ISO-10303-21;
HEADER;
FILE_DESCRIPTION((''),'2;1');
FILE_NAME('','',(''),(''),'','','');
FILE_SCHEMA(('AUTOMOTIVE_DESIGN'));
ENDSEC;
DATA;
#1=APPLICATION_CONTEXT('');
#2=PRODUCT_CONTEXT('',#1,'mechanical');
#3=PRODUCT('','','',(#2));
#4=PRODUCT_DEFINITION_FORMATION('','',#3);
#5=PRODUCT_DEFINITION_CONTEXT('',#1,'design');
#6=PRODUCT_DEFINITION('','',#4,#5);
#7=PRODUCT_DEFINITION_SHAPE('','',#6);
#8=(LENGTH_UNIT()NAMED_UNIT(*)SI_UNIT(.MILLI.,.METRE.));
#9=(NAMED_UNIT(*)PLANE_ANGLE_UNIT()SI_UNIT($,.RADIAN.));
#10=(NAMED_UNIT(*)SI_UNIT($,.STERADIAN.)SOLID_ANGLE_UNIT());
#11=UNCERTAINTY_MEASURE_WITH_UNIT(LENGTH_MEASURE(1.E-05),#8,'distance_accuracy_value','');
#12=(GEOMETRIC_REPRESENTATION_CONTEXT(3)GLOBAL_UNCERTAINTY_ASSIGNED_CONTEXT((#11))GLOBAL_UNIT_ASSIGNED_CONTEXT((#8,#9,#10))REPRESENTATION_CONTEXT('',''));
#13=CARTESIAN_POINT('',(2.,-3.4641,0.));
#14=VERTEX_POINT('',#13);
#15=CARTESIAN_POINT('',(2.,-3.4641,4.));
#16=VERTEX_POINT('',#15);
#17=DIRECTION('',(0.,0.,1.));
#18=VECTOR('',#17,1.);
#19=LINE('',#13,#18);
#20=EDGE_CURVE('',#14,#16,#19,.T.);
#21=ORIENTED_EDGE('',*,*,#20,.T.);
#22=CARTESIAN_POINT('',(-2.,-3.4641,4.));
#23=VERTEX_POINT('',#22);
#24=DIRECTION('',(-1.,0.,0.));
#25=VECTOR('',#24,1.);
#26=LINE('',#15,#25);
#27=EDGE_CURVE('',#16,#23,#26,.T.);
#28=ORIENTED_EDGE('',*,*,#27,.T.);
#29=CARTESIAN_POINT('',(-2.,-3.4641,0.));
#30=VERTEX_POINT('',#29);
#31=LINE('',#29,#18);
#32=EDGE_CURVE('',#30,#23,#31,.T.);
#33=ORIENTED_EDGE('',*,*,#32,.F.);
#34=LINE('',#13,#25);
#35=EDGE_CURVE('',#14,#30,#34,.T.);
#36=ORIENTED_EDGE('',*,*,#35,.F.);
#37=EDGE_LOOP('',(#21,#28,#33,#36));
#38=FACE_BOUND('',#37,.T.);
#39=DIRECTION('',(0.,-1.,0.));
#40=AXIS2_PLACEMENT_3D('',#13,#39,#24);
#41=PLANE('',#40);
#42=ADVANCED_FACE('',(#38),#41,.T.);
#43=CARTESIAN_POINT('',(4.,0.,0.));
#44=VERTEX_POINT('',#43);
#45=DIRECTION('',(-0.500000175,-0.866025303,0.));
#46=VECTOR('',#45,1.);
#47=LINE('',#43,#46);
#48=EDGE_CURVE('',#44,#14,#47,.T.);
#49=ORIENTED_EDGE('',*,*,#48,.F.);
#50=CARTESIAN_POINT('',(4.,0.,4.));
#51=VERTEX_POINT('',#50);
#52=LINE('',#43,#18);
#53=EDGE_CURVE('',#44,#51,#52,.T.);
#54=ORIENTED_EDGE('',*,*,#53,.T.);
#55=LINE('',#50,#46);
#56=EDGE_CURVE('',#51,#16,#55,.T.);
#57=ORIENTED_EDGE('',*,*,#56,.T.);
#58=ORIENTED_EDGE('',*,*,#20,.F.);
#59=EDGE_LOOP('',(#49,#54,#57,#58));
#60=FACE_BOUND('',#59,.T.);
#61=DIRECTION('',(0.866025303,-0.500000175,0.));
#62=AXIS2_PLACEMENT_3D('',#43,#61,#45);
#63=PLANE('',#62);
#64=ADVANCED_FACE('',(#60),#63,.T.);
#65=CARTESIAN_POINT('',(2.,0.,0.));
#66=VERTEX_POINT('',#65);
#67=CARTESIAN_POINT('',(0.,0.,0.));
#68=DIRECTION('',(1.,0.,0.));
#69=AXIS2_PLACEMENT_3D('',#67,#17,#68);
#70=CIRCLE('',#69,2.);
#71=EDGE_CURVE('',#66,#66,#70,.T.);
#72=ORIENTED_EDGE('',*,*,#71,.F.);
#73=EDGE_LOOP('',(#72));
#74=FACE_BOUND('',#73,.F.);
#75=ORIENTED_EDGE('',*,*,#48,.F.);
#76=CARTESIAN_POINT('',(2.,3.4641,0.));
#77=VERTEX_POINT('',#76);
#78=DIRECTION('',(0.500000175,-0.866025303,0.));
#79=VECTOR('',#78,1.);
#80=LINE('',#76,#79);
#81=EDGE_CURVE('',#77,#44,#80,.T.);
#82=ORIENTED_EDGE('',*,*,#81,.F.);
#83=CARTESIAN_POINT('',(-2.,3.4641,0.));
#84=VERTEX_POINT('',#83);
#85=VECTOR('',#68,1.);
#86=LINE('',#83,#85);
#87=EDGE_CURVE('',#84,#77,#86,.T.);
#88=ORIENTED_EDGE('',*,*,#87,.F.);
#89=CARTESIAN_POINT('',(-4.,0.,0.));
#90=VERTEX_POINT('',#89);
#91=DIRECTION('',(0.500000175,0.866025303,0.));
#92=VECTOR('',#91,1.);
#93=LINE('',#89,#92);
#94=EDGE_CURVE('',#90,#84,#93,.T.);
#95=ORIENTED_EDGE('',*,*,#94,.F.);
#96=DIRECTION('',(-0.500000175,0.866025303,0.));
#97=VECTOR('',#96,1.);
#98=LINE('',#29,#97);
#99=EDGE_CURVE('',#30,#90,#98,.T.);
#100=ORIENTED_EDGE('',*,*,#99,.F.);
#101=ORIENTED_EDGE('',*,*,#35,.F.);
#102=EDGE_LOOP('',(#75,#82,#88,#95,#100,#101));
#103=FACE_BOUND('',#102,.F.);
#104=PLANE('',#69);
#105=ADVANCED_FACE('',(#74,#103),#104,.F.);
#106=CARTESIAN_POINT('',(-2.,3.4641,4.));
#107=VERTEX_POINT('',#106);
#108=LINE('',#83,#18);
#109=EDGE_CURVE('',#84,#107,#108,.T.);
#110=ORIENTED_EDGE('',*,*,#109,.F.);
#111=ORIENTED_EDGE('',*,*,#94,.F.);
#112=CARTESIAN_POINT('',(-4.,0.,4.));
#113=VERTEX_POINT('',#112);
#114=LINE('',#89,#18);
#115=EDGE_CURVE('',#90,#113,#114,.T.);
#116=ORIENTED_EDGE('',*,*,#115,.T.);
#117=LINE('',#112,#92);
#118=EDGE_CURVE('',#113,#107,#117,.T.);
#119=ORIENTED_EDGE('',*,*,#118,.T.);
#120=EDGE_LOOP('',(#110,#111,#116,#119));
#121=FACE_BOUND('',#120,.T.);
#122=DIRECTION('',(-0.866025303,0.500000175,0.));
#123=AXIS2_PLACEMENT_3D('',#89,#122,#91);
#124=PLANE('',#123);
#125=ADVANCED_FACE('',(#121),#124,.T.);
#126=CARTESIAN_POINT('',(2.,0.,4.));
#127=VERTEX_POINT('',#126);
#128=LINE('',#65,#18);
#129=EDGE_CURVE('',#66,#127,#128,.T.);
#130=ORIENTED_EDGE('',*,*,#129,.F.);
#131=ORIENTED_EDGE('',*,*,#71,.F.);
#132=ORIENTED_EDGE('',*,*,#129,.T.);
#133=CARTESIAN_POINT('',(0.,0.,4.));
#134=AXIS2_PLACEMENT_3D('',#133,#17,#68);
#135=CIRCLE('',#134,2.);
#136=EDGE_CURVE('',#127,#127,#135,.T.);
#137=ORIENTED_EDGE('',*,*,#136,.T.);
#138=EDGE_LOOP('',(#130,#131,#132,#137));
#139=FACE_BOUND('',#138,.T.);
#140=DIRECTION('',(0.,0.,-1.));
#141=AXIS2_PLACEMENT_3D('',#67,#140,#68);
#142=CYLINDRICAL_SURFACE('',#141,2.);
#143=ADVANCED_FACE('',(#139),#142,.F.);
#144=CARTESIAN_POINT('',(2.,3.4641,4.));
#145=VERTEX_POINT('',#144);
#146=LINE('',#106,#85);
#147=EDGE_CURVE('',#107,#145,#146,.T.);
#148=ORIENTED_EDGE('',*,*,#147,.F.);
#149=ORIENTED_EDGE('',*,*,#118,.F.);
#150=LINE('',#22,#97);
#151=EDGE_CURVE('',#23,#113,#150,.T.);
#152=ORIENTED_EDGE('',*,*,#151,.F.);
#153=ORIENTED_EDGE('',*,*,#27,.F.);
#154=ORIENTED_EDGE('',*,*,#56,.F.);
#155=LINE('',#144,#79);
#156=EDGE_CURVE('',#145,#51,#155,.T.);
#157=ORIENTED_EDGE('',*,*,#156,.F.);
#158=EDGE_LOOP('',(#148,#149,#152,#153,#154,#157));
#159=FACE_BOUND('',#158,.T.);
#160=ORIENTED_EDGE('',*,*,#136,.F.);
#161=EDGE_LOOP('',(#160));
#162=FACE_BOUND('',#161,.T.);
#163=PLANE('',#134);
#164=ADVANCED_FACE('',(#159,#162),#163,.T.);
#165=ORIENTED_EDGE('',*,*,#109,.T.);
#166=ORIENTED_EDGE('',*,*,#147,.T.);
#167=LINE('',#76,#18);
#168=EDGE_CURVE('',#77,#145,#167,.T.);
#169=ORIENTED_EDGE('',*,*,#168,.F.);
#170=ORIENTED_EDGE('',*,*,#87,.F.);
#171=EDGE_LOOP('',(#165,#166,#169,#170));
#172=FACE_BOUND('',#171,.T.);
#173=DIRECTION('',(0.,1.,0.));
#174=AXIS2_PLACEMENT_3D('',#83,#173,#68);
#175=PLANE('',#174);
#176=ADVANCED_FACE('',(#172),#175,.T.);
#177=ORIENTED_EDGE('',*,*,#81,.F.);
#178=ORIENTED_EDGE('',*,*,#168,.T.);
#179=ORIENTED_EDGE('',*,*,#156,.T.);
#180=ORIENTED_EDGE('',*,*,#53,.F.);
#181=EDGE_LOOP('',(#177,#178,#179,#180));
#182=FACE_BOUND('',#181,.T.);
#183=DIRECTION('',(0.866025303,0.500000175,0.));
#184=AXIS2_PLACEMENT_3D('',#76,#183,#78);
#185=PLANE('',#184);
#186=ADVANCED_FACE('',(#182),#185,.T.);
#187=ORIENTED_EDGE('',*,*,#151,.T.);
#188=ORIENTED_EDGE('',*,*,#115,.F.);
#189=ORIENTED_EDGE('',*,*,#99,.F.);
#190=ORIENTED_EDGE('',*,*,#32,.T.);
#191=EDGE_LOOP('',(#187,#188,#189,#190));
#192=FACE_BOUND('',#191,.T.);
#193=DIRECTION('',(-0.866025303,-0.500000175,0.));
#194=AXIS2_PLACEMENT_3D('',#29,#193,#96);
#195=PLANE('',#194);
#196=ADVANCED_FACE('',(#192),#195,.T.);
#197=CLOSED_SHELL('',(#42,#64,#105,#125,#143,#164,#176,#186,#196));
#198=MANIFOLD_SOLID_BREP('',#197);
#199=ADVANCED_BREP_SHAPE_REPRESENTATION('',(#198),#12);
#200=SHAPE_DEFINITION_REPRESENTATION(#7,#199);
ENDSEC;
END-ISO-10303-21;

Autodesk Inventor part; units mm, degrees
ref_plane "YZ Plane" through (0, 0, 0) normal (1, 0, 0) x (0, 1, 0)
ref_plane "XZ Plane" through (0, 0, 0) normal (0, 1, 0) x (-1, 0, 0)
ref_plane "XY Plane" through (0, 0, 0) normal (0, 0, 1) x (1, 0, 0)
sketch "スケッチ1" plane through (0, 0, 0) normal (0, 0, 1) x (1, 0, 0)
  line L0 (4, 0) -> (2, -3.4641)
  line L1 (2, -3.4641) -> (-2, -3.4641)
  line L2 (-2, -3.4641) -> (-4, 0)
  line L3 (-4, 0) -> (-2, 3.4641)
  line L4 (-2, 3.4641) -> (2, 3.4641)
  line L5 (2, 3.4641) -> (4, 0)
  circle A0 centre (0, 0) radius 2
  dimension "d0" = 8
  dimension "d1" = 4
extrude "押し出し1" add sketch "スケッチ1" along normal blind 4
properties part number "Parts_Nuts_M4" material "鋼"
